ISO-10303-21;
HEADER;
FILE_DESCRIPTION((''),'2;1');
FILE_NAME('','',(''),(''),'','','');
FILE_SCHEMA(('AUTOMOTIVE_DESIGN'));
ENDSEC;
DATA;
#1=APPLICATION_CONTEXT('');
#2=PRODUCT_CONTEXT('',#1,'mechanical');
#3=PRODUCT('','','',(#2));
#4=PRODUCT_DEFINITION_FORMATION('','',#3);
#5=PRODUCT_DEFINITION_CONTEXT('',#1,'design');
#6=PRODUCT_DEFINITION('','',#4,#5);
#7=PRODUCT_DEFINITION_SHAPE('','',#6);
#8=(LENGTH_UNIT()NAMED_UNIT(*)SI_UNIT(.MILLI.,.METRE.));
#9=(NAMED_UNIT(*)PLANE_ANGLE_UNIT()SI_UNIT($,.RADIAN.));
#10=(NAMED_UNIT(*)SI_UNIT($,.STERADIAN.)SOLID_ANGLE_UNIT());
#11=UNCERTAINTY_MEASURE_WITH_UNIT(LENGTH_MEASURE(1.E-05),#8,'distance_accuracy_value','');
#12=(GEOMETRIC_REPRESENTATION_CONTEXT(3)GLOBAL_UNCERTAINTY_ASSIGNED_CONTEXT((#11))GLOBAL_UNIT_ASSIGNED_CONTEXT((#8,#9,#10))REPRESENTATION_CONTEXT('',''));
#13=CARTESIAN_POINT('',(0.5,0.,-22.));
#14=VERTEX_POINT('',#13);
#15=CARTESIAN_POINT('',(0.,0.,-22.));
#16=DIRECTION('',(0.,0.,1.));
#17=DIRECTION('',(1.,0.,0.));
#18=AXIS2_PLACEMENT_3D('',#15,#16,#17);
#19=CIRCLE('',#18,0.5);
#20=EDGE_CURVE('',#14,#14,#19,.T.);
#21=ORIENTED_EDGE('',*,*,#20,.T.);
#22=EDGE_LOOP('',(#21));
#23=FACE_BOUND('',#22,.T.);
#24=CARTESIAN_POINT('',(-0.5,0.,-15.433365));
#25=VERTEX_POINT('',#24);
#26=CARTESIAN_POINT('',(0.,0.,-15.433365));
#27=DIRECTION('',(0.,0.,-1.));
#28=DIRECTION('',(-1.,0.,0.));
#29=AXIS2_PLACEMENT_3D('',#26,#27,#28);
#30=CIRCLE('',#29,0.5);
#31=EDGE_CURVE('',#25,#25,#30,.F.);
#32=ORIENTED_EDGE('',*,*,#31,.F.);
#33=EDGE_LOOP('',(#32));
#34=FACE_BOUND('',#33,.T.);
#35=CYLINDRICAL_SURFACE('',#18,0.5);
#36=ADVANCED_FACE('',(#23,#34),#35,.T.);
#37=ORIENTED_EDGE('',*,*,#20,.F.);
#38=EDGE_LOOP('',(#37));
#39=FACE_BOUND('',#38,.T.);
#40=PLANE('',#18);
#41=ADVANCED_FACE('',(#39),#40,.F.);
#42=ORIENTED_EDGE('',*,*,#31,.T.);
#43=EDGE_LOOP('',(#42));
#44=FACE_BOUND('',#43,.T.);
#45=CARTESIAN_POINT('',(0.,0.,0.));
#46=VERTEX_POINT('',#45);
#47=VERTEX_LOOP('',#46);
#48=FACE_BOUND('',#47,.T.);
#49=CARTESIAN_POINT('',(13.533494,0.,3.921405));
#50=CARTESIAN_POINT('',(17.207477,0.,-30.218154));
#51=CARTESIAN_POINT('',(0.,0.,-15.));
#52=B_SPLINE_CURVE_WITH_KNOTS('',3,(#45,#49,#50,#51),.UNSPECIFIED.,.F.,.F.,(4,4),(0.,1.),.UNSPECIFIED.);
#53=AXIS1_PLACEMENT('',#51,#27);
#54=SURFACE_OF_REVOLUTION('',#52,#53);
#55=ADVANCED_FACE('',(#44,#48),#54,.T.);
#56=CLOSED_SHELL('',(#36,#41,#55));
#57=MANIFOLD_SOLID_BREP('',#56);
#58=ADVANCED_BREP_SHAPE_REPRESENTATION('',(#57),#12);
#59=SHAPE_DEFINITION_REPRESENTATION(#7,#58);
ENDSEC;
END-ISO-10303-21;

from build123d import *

# Parameters (mm, degrees)
SKETCH2_R           = 0.5
BOSS_EXTRUDE4_DEPTH = 22


with BuildPart() as part:
    # Sketch1 → Revolve1 (revolve)
    with BuildSketch(Plane(origin=(0, 0, 0), x_dir=(1, 0, 0), z_dir=(0, 1, 0))):
        with BuildLine():
            Line((0, 15), (0, 0))
            add(Edge.make_bspline(
                [(0, 15), (17.207476739, 30.218154333), (13.533494198, -3.921405225), (0, 0)],
                knots=[0, 0, 0, 0, 1, 1, 1, 1], degree=3))
        make_face()
    revolve(axis=Axis((0, 0, -15), (0, 0, 1)))

    # Sketch2 → Boss-Extrude4 (add)
    with BuildSketch(Plane.XY):
        Circle(SKETCH2_R)
    extrude(amount=-BOSS_EXTRUDE4_DEPTH)


solid = part.part
